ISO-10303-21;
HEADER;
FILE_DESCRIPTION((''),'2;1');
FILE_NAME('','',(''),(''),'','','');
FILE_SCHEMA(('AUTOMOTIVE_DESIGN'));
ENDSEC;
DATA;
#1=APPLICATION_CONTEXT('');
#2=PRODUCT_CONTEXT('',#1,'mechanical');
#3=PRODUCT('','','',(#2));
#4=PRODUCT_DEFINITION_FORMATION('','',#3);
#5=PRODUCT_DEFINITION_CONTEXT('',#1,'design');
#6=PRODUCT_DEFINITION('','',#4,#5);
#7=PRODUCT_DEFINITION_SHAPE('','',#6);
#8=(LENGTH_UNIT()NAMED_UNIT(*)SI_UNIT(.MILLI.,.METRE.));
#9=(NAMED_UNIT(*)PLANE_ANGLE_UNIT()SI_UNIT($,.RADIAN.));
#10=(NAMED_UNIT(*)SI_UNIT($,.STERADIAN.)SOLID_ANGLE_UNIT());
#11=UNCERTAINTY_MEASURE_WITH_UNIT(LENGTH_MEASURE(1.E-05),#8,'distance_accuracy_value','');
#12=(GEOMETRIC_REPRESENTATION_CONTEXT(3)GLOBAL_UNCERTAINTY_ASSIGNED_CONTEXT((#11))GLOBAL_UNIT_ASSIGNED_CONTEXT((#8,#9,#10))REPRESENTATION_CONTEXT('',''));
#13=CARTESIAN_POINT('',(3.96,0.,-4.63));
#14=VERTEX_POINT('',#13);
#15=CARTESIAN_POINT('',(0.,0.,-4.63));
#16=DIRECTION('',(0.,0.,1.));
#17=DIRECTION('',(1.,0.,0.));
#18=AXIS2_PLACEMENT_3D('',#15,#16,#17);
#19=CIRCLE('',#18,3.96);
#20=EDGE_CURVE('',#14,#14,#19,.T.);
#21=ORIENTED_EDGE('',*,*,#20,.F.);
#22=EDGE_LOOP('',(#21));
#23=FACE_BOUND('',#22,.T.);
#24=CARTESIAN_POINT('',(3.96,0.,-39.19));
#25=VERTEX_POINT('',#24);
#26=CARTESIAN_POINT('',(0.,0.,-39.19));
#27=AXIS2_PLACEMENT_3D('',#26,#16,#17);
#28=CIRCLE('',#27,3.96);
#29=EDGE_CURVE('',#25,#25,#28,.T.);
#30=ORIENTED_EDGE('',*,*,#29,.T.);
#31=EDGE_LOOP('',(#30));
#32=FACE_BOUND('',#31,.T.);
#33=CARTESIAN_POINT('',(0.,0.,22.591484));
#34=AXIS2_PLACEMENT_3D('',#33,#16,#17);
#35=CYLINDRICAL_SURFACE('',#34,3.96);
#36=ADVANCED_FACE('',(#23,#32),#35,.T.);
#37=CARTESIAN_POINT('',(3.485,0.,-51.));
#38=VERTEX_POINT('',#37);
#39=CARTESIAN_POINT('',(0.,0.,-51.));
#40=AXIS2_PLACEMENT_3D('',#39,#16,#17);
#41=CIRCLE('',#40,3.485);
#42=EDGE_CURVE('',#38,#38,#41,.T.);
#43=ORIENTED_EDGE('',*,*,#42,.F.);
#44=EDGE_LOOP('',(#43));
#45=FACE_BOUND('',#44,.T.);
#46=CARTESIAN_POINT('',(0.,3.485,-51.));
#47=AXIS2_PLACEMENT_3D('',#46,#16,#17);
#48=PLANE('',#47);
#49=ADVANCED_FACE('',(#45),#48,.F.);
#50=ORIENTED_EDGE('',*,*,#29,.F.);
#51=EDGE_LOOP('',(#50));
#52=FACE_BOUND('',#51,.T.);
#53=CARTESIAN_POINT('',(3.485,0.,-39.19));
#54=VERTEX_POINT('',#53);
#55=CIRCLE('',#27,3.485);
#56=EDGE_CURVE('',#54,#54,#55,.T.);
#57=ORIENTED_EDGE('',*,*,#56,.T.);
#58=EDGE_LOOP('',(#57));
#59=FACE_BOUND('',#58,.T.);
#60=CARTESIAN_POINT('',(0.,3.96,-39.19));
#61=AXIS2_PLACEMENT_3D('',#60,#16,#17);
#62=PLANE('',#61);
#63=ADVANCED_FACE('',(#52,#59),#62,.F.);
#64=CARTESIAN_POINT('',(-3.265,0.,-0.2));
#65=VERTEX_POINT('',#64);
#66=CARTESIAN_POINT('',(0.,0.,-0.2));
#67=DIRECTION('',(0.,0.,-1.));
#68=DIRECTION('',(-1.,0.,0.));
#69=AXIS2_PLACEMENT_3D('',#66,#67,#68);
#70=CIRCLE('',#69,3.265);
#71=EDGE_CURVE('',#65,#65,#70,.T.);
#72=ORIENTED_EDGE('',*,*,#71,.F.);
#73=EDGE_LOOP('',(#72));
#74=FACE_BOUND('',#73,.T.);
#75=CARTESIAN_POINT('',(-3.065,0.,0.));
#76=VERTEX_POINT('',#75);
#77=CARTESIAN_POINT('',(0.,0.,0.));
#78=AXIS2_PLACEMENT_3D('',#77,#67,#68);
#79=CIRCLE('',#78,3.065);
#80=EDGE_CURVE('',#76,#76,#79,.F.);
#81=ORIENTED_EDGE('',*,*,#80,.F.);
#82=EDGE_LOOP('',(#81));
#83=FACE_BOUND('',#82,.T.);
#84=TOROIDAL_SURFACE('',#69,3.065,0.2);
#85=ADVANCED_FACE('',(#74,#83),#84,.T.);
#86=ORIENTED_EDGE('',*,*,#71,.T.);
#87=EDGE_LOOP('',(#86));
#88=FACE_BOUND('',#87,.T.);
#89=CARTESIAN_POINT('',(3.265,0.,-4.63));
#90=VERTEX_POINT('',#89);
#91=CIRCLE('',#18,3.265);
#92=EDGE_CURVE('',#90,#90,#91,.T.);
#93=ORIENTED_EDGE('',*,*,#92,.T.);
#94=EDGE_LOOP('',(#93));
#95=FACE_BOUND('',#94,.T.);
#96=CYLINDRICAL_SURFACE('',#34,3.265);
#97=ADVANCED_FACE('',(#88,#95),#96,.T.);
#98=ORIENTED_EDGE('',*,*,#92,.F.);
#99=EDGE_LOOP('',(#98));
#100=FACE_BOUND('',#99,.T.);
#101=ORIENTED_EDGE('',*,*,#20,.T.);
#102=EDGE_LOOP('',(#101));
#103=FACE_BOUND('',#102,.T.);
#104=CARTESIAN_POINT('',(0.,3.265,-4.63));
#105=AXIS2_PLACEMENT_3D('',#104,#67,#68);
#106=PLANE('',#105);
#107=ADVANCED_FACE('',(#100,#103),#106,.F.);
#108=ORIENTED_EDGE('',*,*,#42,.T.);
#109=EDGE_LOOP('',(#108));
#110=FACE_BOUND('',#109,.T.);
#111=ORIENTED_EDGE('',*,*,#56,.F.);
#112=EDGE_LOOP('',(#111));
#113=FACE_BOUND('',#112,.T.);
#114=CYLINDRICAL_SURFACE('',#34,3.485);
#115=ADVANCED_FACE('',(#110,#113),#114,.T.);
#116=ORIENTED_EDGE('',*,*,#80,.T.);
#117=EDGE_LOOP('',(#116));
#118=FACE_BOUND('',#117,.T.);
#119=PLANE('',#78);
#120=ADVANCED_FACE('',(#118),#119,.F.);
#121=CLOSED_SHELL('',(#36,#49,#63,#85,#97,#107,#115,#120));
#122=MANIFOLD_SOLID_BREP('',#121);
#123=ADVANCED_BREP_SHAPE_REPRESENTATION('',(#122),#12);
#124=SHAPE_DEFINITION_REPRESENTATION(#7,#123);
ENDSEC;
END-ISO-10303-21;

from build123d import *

# Parameters (mm, degrees)
FILLET1_R = 0.2


with BuildPart() as part:
    # Sketch1 → Revolve1 (revolve)
    with BuildSketch(Plane(origin=(0, 0, 0), x_dir=(0, 0, -1), z_dir=(1, 0, 0))):
        Polygon((0, 0), (0, 3.265), (4.63, 3.265), (4.63, 3.96), (39.19, 3.96), (39.19, 3.485), (51, 3.485), (51, 0), align=None)
    revolve(axis=Axis((0, 0, 22.591484059), (0, 0, -1)))

    # Fillet1
    fillet1_edges = [part.edges().sort_by_distance(p)[0] for p in [
        (0, -3.265, 0),
    ]]
    fillet(fillet1_edges, radius=FILLET1_R)


solid = part.part
